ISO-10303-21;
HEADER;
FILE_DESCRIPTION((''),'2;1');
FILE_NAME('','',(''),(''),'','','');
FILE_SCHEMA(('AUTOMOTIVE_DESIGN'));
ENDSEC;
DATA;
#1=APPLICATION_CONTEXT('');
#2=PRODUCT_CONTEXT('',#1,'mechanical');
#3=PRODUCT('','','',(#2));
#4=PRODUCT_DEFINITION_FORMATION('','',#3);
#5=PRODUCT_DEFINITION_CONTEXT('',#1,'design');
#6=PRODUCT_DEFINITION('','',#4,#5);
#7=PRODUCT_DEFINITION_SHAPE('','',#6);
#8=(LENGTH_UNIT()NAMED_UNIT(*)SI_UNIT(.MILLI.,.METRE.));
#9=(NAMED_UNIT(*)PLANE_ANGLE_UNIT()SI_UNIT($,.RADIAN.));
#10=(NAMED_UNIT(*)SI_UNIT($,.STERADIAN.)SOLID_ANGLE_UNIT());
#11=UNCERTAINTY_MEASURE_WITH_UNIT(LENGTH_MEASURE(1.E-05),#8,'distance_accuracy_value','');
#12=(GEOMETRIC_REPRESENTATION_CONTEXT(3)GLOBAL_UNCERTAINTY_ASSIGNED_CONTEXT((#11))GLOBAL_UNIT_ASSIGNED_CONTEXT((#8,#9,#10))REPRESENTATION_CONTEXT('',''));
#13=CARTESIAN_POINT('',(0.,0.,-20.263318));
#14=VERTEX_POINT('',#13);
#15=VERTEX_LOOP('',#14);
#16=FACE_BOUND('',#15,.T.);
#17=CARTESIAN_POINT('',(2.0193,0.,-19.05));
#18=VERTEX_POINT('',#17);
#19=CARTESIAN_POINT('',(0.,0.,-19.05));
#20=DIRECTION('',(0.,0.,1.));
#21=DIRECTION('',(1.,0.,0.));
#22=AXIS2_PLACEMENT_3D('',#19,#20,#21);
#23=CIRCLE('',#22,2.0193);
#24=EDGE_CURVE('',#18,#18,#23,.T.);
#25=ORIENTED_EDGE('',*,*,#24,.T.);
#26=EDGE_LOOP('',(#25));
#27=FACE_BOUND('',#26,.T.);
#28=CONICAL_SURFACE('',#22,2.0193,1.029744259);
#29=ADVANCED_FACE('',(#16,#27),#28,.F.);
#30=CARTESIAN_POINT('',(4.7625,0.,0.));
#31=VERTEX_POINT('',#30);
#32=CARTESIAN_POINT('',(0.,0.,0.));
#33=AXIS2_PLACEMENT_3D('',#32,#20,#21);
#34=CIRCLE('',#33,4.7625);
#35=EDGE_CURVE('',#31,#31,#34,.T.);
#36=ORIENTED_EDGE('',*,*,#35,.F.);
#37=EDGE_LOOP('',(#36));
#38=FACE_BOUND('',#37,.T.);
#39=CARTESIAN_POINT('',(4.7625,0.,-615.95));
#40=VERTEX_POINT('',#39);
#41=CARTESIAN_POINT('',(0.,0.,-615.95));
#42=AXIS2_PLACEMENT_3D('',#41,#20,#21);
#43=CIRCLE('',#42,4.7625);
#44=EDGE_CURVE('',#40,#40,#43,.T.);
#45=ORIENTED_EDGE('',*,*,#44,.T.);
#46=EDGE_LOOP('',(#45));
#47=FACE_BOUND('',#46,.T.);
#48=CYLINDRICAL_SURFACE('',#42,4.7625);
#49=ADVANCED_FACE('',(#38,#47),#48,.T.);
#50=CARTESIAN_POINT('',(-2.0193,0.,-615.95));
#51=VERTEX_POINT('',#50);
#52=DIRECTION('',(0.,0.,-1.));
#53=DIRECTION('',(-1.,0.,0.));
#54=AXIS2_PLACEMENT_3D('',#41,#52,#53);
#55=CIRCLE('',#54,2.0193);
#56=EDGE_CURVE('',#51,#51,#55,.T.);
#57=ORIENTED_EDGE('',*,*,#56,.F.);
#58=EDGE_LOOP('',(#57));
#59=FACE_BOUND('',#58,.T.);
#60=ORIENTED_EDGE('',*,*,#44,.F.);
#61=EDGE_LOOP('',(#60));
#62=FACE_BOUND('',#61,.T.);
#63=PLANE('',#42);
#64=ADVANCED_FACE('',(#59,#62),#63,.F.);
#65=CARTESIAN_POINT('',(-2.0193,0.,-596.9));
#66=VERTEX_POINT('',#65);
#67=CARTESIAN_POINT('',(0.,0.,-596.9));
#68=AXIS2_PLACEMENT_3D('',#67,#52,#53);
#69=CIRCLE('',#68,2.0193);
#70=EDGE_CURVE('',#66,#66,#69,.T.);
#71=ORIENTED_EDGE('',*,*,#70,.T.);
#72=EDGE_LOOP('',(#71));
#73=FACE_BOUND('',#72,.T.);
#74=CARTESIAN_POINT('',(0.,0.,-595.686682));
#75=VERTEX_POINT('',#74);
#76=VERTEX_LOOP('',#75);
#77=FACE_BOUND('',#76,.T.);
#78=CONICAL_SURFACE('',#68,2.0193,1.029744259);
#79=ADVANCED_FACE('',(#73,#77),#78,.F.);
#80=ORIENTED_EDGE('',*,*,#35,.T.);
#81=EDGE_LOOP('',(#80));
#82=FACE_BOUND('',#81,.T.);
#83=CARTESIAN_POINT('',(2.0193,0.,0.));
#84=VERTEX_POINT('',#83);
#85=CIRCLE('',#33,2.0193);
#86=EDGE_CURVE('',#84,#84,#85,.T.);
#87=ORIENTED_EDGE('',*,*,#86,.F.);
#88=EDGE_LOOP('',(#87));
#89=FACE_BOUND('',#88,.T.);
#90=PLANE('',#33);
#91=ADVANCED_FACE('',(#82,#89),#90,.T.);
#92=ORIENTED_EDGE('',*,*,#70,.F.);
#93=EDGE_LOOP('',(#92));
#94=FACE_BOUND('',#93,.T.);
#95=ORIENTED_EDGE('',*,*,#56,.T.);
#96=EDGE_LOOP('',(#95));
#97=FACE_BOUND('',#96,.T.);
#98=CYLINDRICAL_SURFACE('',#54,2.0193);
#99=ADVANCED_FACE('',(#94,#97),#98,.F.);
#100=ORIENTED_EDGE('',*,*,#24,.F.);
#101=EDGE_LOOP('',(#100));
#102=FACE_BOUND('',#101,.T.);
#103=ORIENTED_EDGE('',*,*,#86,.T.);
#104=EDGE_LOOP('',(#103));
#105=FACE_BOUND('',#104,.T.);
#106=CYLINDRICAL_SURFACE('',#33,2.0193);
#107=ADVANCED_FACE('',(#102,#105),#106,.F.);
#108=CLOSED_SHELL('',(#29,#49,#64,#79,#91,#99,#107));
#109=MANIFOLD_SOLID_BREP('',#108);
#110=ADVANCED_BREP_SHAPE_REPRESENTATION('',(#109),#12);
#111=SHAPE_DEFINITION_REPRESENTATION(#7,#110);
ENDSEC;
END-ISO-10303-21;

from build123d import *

# Parameters (mm, degrees)
SKETCH1_R                  = 4.7625
BOSS_EXTRUDE1_DEPTH        = 615.95
F_10_32_TAPPED_HOLE1_D     = 4.0386
F_10_32_TAPPED_HOLE1_DEPTH = 19.05
F_10_32_TAPPED_HOLE1_TIP   = 1.213317848
F_10_32_TAPPED_HOLE4_D     = 4.0386
F_10_32_TAPPED_HOLE4_DEPTH = 19.05
F_10_32_TAPPED_HOLE4_TIP   = 1.213317848


with BuildPart() as part:
    # Sketch1 → Boss-Extrude1 (new body)
    with BuildSketch(Plane.XY):
        Circle(SKETCH1_R)
    extrude(amount=-BOSS_EXTRUDE1_DEPTH)

    # #10-32 Tapped Hole1
    with Locations(Plane(origin=(0, 0, -615.95), x_dir=(-1, 0, 0), z_dir=(0, 0, -1))):
        with Locations((0, 0)):
            Hole(F_10_32_TAPPED_HOLE1_D / 2, depth=F_10_32_TAPPED_HOLE1_DEPTH)
            with Locations((0, 0, -(F_10_32_TAPPED_HOLE1_DEPTH + F_10_32_TAPPED_HOLE1_TIP / 2))):  # 118° drill point
                Cone(0, F_10_32_TAPPED_HOLE1_D / 2, F_10_32_TAPPED_HOLE1_TIP, mode=Mode.SUBTRACT)

    # #10-32 Tapped Hole4
    with Locations(Plane.XY):
        with Locations((0, 0)):
            Hole(F_10_32_TAPPED_HOLE4_D / 2, depth=F_10_32_TAPPED_HOLE4_DEPTH)
            with Locations((0, 0, -(F_10_32_TAPPED_HOLE4_DEPTH + F_10_32_TAPPED_HOLE4_TIP / 2))):  # 118° drill point
                Cone(0, F_10_32_TAPPED_HOLE4_D / 2, F_10_32_TAPPED_HOLE4_TIP, mode=Mode.SUBTRACT)


solid = part.part
